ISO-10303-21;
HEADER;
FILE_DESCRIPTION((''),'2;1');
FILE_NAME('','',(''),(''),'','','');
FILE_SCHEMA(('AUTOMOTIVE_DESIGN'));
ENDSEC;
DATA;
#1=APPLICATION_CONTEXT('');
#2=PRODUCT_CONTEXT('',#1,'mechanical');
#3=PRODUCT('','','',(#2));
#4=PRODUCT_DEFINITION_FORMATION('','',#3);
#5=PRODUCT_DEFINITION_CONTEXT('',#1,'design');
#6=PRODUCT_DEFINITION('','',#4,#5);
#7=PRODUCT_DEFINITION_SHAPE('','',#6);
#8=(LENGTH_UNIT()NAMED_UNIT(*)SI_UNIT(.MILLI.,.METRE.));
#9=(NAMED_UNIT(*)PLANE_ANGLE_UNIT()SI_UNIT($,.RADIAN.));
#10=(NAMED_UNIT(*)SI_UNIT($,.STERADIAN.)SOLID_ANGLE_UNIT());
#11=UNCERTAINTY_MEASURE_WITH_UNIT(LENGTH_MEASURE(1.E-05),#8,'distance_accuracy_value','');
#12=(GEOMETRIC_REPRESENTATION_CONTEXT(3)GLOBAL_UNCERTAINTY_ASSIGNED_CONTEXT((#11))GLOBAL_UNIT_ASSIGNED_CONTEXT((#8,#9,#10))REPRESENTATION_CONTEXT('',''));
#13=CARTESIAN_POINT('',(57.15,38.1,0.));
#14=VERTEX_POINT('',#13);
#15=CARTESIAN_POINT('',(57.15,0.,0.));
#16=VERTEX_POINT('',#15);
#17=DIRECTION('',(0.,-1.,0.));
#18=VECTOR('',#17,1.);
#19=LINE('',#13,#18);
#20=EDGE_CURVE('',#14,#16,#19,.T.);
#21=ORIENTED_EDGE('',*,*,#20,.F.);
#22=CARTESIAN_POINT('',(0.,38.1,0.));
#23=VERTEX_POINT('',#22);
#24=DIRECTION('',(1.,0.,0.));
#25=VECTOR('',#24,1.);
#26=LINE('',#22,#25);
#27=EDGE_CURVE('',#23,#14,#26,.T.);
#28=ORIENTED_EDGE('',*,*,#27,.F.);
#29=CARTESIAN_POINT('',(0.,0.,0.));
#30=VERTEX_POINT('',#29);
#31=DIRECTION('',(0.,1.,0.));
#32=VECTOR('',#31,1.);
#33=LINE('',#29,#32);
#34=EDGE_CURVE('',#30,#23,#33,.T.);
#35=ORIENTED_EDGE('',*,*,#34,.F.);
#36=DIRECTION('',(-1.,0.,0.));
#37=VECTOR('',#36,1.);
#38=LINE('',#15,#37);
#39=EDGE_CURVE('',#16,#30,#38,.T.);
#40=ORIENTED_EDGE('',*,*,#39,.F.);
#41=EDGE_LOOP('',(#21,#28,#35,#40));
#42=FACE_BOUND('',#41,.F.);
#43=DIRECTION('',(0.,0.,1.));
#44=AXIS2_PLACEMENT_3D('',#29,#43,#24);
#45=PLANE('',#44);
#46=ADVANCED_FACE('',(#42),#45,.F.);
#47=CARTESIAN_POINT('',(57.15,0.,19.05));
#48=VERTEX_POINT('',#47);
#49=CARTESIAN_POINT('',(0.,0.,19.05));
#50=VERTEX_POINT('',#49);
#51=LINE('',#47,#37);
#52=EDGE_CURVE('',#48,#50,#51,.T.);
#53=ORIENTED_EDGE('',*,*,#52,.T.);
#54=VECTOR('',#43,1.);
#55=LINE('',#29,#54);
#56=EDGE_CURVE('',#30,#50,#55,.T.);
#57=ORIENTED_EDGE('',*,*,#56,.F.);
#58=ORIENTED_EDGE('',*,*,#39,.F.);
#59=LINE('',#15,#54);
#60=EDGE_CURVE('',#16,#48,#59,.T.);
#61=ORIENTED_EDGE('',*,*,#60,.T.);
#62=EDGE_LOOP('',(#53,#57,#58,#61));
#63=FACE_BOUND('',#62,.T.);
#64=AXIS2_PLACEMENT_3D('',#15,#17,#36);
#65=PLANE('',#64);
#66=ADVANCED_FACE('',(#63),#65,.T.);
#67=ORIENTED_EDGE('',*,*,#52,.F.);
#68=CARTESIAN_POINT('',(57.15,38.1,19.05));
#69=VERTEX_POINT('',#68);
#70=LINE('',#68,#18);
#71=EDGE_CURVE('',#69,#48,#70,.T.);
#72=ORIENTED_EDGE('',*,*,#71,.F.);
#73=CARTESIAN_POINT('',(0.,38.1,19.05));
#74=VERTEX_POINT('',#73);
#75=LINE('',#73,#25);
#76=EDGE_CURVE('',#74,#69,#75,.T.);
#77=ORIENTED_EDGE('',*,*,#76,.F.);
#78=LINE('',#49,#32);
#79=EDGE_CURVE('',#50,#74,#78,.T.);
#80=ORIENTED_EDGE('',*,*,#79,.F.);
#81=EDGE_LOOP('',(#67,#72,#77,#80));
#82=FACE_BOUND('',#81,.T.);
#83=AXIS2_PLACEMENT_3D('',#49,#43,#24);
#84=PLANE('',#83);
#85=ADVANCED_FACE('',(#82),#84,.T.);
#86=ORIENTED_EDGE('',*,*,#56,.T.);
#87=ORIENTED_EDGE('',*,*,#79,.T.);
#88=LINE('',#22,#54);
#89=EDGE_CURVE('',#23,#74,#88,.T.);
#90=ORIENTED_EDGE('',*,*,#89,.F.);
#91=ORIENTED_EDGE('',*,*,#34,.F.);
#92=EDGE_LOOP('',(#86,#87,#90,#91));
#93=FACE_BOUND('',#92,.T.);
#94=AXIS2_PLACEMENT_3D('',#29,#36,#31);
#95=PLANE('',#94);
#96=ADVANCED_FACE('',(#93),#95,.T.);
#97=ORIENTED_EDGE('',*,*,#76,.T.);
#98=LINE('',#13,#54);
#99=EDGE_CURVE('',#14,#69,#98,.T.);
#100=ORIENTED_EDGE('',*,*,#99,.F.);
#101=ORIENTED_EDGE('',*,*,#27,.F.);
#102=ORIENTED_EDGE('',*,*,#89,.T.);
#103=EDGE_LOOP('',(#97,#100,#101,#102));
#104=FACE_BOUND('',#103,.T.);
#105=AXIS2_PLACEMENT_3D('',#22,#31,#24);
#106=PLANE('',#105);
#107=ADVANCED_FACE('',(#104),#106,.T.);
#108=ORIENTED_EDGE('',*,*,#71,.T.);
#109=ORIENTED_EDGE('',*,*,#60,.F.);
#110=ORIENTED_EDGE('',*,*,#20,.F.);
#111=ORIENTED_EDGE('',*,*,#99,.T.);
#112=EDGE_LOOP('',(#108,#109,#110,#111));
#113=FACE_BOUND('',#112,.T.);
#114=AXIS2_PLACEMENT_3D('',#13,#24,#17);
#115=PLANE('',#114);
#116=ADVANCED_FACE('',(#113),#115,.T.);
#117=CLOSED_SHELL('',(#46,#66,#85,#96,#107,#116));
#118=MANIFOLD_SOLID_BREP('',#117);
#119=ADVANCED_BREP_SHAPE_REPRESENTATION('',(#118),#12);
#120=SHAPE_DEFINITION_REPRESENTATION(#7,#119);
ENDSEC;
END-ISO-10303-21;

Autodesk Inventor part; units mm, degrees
ref_plane "YZ Plane" through (0, 0, 0) normal (1, 0, 0) x (0, 1, 0)
ref_plane "XZ Plane" through (0, 0, 0) normal (0, 1, 0) x (-1, 0, 0)
ref_plane "XY Plane" through (0, 0, 0) normal (0, 0, 1) x (1, 0, 0)
sketch "Sketch1" plane through (0, 0, 0) normal (0, 0, 1) x (1, 0, 0)
  line L0 (0, 0) -> (0, 38.1)
  line L1 (0, 38.1) -> (57.15, 38.1)
  line L2 (57.15, 38.1) -> (57.15, 0)
  line L3 (57.15, 0) -> (0, 0)
  dimension "d0" = 38.1
  dimension "d1" = 57.15
extrude "Extrusion1" add sketch "Sketch1" along normal blind 19.05
properties part number "4"
